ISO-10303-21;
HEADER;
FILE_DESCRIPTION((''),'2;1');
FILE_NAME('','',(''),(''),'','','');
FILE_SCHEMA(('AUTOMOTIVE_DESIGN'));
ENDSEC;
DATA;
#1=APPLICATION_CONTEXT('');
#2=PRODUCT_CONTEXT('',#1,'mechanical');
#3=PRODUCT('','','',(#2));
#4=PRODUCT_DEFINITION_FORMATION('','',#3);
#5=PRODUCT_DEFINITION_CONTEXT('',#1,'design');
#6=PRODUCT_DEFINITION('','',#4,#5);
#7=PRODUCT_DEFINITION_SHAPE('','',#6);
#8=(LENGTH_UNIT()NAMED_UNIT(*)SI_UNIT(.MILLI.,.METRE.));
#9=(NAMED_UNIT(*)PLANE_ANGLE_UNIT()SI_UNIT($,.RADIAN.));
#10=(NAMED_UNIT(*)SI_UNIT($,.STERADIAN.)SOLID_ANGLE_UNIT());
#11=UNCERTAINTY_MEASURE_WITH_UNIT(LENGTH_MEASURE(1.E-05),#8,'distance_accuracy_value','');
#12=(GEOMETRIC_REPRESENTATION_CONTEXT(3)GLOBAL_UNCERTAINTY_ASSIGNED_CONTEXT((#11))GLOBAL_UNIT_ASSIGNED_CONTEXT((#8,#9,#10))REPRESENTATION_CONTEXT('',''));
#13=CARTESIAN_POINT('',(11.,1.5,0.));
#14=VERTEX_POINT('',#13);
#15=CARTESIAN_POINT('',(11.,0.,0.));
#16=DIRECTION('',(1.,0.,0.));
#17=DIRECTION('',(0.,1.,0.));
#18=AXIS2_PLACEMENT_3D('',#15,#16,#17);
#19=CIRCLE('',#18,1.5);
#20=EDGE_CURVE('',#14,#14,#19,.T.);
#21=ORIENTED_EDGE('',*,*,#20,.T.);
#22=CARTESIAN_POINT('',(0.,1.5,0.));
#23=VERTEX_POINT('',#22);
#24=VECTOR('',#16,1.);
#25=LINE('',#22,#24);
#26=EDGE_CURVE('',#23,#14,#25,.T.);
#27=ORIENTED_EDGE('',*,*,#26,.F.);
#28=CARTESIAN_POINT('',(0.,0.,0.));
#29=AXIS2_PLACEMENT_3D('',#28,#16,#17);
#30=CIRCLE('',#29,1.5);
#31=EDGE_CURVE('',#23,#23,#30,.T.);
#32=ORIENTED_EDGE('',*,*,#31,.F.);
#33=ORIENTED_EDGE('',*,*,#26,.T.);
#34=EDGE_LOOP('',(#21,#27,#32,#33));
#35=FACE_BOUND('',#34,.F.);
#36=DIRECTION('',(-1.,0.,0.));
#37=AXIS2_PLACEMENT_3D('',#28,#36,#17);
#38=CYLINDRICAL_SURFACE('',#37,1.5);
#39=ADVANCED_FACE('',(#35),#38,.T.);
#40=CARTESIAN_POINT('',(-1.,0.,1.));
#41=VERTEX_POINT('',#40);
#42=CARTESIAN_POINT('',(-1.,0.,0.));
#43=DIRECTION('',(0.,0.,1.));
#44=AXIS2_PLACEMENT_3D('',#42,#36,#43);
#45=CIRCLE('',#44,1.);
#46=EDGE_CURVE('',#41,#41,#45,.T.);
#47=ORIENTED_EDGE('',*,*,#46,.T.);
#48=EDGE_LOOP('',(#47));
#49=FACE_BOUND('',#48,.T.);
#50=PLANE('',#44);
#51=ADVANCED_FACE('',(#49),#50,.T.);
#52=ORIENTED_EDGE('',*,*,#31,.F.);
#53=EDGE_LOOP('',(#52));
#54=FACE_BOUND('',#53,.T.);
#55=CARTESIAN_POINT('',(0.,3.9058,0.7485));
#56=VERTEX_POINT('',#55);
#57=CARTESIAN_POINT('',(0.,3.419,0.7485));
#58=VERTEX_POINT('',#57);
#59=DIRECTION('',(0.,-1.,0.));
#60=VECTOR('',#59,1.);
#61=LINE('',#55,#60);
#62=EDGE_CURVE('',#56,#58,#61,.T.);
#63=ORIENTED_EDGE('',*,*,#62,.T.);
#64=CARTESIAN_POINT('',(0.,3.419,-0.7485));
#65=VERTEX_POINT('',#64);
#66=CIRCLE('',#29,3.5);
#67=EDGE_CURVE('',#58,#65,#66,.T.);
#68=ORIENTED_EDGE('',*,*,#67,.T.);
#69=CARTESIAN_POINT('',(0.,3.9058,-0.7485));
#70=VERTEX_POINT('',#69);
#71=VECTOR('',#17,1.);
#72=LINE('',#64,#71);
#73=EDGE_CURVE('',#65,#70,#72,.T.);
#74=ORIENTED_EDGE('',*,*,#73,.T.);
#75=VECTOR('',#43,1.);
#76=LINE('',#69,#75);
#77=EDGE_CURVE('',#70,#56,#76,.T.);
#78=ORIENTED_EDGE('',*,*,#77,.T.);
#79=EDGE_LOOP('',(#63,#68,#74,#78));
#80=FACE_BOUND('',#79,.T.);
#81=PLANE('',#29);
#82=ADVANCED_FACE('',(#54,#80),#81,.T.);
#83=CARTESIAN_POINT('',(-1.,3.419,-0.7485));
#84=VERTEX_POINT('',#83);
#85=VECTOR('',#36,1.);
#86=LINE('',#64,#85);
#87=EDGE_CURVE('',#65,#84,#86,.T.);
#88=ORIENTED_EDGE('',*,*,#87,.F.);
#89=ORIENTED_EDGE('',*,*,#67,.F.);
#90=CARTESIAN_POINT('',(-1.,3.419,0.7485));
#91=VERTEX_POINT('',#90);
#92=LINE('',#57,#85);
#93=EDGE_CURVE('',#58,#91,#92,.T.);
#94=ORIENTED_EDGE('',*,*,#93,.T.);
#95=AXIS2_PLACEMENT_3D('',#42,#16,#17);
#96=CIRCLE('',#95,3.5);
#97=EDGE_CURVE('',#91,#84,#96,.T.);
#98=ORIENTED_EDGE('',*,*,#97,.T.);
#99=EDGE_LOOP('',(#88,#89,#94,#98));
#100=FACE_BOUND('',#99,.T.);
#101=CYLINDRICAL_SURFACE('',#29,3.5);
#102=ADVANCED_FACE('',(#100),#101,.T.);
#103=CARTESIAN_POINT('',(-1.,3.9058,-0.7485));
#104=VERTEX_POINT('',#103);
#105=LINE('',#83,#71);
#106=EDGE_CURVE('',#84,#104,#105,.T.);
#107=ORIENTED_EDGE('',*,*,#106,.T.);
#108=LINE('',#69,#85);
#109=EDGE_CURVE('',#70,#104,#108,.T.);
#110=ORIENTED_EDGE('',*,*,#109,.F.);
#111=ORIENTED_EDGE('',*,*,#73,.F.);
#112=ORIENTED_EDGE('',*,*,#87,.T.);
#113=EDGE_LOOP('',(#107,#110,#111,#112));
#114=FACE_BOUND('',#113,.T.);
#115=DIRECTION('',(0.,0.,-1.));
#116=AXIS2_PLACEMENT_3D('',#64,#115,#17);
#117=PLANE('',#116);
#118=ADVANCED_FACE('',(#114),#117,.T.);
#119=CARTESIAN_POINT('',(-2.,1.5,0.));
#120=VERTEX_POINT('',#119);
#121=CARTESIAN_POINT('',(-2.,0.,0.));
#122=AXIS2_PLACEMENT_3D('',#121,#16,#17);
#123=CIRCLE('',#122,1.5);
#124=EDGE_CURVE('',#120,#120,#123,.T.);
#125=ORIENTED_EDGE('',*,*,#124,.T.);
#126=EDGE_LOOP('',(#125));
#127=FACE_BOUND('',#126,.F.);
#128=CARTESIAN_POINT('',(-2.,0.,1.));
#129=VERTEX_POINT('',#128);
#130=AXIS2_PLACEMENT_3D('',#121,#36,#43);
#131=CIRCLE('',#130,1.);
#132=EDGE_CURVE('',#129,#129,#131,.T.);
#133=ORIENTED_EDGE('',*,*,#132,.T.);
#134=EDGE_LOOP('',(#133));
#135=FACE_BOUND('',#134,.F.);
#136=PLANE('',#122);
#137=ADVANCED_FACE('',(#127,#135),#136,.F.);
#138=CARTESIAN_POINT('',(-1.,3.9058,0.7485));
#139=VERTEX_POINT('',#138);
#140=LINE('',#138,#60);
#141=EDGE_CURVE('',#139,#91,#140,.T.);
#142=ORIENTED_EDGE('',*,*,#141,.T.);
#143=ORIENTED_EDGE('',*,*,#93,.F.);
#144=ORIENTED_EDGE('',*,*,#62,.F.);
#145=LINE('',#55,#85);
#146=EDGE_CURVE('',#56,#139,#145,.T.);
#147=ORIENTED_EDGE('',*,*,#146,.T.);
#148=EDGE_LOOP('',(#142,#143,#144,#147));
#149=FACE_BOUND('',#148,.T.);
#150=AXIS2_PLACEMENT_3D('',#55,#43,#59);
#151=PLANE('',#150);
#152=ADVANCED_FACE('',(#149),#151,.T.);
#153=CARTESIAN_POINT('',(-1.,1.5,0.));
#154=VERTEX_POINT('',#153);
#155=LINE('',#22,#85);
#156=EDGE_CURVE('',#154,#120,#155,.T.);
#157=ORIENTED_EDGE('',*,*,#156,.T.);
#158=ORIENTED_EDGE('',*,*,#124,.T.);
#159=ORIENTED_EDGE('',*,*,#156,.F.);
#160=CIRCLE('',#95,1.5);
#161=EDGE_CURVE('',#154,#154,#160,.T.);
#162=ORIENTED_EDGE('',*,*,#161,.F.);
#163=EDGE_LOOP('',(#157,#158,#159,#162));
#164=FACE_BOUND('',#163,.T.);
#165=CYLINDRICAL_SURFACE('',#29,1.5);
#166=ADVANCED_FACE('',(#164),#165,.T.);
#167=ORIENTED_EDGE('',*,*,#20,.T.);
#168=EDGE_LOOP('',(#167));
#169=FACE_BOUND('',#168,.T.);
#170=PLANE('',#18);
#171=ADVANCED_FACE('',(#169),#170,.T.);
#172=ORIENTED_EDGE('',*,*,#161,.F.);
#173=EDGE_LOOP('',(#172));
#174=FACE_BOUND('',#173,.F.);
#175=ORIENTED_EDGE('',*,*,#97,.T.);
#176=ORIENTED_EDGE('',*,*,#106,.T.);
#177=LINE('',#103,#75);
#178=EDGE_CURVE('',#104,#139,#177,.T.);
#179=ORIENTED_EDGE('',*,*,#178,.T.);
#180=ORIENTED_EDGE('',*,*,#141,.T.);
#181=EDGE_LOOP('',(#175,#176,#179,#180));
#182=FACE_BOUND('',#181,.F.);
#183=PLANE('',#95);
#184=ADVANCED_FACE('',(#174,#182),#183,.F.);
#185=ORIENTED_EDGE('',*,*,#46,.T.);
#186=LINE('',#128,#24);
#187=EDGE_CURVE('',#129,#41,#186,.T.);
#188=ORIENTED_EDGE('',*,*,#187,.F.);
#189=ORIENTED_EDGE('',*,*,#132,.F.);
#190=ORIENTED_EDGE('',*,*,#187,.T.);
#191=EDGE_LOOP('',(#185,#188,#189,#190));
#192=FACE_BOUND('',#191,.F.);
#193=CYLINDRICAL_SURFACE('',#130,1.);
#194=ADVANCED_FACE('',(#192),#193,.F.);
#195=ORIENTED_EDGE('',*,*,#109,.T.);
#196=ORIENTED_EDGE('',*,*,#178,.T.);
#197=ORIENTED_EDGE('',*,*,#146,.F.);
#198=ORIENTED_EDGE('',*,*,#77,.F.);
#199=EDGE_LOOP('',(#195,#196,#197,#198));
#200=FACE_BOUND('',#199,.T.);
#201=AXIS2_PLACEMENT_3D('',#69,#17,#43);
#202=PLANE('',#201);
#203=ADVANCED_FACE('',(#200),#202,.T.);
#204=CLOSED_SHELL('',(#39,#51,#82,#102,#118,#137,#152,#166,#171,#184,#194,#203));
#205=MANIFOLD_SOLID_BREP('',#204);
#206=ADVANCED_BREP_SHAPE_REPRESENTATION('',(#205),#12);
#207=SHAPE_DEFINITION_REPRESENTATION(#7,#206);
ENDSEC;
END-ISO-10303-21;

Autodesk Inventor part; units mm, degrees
ref_plane "YZ Plane" through (0, 0, 0) normal (1, 0, 0) x (0, 1, 0)
ref_plane "XZ Plane" through (0, 0, 0) normal (0, 1, 0) x (-1, 0, 0)
ref_plane "XY Plane" through (0, 0, 0) normal (0, 0, 1) x (1, 0, 0)
sketch "Sketch1" plane through (0, 0, 0) normal (1, 0, 0) x (0, 1, 0)
  circle A0 centre (0, 0) radius 1.5
  circle A1 centre (0, 0) radius 3.5
  circle A2 centre (0, 0) radius 1.5
  line L0 (3.419, -0.7485) -> (3.9058, -0.7485)
  line L1 (3.9058, -0.7485) -> (3.9058, 0.7485)
  line L2 (3.9058, 0.7485) -> (3.419, 0.7485)
  line L3 (3.0942, -0.7485) -> (3.9058, 0.7485) construction
  line L4 (3.9058, -0.7485) -> (3.0942, 0.7485) construction
  point P0 (3.5, 0)
  dimension "d0" = 3
  dimension "d1" = 7
  dimension "d13" = 1.497
  dimension "d16" = 3
extrude "Extrusion1" add sketch "Sketch1" along normal blind 11 contours A0
extrude "Extrusion2" add sketch "Sketch1" against normal blind 1 contours A0 | A1
sketch "Sketch2" plane through (-1, 0, 0) normal (-1, 0, 0) x (0, 0, 1)
  point P0 (0, 0)
extrude "Extrusion3" add sketch "Sketch1" against normal blind 2 contours A0
sketch "Sketch3" plane through (-2, 0, 0) normal (-1, 0, 0) x (0, 0, 1)
  circle A0 centre (0, 0) radius 1
  dimension "d10" = 2
extrude "Extrusion4" cut sketch "Sketch3" against normal blind 1
extrude "Extrusion5" add sketch "Sketch1" against normal blind 1 contours A1 L2 L1 L0
properties material "Nickel-Copper Alloy 400"
